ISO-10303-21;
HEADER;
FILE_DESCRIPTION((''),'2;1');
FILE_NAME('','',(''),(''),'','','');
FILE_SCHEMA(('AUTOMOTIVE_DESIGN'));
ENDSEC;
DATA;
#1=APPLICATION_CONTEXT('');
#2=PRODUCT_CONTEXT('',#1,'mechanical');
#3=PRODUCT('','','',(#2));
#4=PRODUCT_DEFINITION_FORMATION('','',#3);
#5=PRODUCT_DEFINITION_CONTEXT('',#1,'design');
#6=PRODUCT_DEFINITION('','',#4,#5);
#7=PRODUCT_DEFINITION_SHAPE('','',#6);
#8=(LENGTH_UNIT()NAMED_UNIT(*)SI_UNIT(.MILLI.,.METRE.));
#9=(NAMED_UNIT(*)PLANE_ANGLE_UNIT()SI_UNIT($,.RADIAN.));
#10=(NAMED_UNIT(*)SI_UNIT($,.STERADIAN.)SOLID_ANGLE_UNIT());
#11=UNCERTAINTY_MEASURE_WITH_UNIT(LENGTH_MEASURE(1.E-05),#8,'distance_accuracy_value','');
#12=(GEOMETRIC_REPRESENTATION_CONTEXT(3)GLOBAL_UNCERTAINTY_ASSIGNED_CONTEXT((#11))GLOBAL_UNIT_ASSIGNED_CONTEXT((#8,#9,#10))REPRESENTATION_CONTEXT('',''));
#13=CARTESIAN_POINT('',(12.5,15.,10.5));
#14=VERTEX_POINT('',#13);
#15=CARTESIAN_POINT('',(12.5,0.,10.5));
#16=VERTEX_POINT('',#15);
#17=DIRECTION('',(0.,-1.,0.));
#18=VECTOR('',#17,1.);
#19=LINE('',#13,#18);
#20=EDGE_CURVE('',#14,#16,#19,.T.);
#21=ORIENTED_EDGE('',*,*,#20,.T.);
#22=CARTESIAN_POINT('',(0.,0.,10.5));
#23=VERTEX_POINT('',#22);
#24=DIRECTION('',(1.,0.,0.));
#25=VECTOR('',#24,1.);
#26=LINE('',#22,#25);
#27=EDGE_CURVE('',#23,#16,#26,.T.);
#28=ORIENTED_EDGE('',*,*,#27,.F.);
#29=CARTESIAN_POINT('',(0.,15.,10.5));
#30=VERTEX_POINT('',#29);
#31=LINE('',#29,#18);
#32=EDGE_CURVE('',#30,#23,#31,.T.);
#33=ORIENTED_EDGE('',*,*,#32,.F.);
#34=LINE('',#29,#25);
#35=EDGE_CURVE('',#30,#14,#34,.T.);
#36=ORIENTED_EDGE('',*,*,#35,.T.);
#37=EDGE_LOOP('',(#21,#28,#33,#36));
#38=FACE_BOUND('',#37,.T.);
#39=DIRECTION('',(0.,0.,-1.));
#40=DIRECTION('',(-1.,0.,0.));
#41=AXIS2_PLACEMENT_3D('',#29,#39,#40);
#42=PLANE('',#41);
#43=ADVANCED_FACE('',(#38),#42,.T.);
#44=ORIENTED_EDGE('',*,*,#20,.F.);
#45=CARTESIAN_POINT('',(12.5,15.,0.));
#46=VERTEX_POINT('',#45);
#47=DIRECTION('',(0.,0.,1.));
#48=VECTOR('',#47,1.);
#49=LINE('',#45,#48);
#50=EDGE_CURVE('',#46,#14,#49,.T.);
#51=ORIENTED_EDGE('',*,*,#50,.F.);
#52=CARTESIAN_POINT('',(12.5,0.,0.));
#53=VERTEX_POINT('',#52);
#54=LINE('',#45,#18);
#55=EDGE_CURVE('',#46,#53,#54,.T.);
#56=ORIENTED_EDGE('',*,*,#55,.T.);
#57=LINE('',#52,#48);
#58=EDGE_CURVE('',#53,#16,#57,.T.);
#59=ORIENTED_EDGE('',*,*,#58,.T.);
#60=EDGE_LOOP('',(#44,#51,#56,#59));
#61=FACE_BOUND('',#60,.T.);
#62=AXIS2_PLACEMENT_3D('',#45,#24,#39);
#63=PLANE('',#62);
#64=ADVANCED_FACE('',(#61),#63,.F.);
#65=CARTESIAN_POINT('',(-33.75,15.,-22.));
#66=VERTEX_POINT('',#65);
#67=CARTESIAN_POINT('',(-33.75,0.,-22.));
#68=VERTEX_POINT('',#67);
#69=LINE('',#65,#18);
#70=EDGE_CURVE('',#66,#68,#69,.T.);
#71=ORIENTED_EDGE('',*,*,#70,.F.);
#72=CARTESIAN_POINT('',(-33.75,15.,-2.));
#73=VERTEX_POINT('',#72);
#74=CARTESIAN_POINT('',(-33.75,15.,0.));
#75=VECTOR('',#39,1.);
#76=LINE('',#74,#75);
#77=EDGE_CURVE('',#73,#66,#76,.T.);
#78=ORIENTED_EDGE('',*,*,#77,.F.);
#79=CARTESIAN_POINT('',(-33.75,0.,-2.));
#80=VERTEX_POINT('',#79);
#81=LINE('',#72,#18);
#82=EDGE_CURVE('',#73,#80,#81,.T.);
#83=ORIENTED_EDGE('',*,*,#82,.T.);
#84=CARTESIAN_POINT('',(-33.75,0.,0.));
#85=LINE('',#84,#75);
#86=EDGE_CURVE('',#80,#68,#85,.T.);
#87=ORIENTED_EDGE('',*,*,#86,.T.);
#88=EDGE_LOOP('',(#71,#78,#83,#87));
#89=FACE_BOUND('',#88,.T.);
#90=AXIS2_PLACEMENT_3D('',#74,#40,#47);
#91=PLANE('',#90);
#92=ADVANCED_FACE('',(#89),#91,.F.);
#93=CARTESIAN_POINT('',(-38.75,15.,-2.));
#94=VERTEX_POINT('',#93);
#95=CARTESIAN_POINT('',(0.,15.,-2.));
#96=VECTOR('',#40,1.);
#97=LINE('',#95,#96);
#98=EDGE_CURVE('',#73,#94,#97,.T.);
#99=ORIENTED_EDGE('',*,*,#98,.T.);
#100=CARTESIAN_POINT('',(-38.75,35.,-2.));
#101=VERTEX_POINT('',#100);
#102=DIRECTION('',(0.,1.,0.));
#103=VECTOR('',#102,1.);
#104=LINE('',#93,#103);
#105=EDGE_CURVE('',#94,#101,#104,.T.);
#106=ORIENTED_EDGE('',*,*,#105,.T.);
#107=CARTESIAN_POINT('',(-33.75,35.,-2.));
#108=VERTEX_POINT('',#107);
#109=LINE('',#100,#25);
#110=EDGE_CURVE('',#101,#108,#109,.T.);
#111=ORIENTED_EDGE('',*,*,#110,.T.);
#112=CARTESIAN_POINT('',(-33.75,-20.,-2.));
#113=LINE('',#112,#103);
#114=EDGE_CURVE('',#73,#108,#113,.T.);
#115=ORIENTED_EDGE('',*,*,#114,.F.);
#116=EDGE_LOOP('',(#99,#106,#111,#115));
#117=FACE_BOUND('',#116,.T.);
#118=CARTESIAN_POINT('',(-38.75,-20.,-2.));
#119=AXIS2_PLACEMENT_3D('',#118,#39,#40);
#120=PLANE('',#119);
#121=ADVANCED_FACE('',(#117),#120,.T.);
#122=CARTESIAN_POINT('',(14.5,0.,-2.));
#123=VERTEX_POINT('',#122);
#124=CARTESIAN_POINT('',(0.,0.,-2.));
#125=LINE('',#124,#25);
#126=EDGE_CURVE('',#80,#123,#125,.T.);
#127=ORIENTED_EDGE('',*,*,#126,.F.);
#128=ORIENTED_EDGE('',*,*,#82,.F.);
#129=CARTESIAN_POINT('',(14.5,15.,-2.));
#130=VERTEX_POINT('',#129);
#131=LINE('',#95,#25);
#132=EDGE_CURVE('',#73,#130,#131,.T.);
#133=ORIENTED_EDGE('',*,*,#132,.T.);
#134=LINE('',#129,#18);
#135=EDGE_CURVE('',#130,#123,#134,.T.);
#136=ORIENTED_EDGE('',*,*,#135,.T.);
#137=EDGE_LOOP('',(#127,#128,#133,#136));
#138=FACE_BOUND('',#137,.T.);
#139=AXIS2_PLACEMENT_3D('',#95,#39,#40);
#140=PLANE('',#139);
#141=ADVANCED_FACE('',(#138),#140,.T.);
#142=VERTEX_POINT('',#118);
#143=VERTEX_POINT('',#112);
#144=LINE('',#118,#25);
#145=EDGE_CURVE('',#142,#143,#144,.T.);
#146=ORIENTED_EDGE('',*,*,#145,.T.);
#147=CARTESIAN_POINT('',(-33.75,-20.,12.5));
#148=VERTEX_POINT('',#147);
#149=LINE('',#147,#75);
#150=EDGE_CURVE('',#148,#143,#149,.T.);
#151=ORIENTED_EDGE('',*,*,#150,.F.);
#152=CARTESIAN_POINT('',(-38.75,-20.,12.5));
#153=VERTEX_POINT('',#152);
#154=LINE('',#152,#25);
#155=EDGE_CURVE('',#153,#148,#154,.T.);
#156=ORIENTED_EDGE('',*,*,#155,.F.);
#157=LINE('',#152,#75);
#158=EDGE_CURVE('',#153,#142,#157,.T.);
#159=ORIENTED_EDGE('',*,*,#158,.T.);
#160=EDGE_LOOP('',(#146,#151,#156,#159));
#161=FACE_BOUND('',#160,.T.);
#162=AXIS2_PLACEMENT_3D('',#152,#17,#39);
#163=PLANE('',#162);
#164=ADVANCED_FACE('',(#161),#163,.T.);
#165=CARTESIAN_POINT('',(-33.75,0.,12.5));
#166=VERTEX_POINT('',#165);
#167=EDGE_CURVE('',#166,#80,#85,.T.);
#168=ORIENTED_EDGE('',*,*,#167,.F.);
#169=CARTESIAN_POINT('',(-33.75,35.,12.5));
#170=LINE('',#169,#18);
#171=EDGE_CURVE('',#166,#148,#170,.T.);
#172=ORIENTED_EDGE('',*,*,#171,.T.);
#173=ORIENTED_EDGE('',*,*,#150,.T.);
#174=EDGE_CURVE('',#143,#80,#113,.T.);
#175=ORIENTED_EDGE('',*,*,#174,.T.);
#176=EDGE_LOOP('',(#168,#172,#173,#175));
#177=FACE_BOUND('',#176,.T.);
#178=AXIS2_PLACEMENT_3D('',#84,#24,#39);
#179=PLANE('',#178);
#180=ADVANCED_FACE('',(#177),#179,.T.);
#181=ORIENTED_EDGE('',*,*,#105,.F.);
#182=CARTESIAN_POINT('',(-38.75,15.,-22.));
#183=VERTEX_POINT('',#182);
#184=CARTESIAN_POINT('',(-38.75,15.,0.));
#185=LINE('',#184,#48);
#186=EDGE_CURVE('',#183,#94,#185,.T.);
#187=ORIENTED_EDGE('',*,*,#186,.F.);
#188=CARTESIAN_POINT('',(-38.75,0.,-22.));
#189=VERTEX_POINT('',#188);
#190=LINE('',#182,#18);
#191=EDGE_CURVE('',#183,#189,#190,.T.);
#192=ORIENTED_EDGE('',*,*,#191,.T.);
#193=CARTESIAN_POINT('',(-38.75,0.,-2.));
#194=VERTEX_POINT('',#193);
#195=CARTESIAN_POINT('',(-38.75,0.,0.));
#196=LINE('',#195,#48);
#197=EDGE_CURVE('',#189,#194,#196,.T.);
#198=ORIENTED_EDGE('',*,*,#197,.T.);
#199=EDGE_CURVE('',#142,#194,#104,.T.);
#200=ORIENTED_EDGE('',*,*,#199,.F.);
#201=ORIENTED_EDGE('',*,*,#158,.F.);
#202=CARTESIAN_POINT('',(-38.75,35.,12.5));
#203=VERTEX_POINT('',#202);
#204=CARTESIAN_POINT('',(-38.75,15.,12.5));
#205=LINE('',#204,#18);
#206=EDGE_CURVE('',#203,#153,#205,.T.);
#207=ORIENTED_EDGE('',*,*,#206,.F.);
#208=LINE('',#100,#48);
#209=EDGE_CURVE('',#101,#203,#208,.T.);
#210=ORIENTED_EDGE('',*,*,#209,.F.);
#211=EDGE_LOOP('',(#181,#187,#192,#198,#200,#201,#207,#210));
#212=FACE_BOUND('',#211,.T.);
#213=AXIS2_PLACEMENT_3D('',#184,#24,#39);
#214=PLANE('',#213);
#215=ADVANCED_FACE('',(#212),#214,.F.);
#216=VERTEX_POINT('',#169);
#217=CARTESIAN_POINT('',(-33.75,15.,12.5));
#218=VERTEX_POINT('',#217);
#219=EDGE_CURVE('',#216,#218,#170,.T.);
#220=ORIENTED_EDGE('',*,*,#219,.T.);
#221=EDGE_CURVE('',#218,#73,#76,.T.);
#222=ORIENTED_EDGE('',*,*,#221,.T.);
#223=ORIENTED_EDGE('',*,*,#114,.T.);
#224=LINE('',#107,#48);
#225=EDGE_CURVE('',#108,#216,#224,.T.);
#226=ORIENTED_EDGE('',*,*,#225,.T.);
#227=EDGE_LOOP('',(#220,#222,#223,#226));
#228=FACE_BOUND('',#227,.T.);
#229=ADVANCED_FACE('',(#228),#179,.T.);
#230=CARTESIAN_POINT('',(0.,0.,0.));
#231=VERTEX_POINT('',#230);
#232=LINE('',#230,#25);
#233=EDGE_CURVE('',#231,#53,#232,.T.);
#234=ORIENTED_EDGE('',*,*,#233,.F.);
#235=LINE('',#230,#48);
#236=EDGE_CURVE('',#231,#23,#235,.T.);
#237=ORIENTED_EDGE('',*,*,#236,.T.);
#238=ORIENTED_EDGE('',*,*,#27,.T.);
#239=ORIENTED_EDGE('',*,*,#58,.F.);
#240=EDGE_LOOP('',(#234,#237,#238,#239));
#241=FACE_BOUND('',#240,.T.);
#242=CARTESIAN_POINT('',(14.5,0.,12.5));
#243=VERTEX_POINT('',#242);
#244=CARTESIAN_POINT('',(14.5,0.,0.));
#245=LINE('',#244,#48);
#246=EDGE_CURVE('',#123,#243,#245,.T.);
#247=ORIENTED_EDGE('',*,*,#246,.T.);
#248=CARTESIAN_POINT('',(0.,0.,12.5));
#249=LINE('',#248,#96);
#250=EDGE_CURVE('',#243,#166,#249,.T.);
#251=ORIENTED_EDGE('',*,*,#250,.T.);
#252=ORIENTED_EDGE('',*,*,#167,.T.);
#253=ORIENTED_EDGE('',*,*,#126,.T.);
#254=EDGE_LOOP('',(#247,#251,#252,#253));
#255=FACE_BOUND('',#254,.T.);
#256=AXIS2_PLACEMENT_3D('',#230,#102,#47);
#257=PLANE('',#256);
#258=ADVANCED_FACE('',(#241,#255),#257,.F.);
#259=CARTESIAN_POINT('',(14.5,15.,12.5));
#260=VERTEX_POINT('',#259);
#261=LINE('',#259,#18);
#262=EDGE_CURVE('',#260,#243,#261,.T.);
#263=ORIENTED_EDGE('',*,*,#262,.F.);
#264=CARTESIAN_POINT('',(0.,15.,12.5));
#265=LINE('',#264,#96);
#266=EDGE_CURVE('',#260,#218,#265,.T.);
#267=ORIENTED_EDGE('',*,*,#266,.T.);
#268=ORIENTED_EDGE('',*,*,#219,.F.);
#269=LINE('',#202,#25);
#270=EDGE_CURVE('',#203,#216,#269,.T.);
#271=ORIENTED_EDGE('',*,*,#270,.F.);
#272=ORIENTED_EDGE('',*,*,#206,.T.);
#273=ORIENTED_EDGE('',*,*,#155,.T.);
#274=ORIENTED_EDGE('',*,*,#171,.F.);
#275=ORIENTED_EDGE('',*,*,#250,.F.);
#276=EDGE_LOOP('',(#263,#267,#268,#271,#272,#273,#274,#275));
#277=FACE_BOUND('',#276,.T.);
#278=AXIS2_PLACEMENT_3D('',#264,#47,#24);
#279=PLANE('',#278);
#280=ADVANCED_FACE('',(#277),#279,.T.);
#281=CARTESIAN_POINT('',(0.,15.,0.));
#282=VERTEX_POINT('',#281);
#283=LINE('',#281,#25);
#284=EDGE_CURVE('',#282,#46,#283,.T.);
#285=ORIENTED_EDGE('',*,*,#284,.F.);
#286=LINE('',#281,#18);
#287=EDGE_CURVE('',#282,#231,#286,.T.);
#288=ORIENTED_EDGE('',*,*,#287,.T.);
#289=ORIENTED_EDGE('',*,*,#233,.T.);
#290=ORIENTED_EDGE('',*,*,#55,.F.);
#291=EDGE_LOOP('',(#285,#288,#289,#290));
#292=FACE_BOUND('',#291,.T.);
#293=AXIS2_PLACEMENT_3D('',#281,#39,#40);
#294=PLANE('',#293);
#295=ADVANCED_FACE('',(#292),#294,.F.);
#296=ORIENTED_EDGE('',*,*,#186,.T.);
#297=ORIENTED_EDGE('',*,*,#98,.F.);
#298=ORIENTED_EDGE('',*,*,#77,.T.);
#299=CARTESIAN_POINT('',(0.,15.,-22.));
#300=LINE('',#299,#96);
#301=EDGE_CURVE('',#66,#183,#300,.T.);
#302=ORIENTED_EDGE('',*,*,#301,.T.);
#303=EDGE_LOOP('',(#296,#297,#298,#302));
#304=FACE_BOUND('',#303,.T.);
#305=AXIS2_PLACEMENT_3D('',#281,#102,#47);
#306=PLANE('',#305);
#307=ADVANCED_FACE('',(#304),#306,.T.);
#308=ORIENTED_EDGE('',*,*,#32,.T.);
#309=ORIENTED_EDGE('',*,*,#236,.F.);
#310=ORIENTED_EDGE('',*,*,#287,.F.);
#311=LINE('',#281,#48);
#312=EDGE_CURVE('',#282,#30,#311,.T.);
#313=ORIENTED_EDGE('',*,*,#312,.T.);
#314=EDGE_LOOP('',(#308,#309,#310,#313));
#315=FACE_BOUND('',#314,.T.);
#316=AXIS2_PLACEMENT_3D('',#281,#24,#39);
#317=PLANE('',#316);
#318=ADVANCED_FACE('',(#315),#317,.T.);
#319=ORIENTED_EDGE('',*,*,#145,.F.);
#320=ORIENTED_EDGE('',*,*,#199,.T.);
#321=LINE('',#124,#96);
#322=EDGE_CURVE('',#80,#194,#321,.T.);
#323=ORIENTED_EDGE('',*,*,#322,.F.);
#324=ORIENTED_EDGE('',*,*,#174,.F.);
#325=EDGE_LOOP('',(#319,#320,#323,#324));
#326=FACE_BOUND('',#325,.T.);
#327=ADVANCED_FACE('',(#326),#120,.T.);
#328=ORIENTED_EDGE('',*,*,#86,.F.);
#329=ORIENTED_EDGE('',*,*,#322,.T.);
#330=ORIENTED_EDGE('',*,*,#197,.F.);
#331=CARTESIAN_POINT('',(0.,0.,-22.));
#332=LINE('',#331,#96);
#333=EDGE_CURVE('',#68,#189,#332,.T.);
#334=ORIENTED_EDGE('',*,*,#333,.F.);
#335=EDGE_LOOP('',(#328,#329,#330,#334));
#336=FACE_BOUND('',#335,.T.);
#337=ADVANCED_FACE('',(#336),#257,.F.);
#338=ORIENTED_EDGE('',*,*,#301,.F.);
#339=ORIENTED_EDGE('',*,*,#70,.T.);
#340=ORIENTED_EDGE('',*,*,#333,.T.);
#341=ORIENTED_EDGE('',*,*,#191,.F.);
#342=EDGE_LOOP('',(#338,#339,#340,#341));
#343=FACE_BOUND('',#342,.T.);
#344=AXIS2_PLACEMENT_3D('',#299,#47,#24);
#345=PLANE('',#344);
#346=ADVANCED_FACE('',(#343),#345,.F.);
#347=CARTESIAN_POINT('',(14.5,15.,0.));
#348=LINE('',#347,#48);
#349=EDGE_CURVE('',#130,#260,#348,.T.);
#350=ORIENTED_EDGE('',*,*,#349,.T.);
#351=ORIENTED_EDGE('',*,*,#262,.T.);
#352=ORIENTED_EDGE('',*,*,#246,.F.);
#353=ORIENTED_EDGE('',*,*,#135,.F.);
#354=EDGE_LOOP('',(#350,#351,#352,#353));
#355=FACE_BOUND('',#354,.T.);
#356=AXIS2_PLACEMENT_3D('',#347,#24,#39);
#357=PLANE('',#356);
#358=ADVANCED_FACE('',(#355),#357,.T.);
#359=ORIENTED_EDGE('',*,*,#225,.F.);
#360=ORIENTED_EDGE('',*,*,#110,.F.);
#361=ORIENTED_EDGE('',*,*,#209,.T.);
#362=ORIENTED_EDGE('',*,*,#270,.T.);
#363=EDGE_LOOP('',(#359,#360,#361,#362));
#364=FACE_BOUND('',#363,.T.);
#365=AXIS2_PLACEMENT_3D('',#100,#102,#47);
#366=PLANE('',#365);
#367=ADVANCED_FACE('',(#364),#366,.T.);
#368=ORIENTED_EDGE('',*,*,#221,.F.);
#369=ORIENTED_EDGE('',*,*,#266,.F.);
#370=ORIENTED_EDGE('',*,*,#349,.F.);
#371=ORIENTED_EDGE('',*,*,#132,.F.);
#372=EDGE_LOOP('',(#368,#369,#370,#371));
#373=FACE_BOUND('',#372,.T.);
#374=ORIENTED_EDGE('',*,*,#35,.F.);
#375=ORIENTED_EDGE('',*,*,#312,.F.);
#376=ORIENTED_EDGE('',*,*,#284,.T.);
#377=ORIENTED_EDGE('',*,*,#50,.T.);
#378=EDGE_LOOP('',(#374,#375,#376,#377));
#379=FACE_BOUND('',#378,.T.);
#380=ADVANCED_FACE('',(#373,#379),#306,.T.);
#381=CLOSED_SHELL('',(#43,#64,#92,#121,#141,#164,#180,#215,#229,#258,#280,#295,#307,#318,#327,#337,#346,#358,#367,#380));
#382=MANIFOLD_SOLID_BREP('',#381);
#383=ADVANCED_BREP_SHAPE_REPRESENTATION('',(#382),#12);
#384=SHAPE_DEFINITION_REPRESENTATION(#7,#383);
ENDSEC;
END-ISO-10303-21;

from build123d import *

# Parameters (mm, degrees)
SKETCH1_W           = 12.5
SKETCH1_H           = 10.5
BOSS_EXTRUDE2_DEPTH = 15
BOSS_EXTRUDE3_DEPTH = 5


with BuildPart() as part:
    # Sketch1 → Boss-Extrude2 (new body)
    with BuildSketch(Plane(origin=(0, 0, 0), x_dir=(1, 0, 0), z_dir=(0, 1, 0))):
        Polygon((-36.75, -12.5), (-2, -12.5), (14.5, -12.5), (14.5, 2), (-2, 2), (-33.75, 2), (-33.75, 22), (-38.75, 22), (-38.75, -12.5), align=None)
        with Locations((6.25, -5.25)):
            Rectangle(SKETCH1_W, SKETCH1_H, mode=Mode.SUBTRACT)
    extrude(amount=BOSS_EXTRUDE2_DEPTH)

    # Sketch3 → Boss-Extrude3 (add)
    with BuildSketch(Plane(origin=(-33.75, 0, 0), x_dir=(0, 0, -1), z_dir=(1, 0, 0))):
        Polygon((2, 15), (2, 35), (-12.5, 35), (-12.5, -20), (2, -20), align=None)
    extrude(amount=-BOSS_EXTRUDE3_DEPTH)


solid = part.part
